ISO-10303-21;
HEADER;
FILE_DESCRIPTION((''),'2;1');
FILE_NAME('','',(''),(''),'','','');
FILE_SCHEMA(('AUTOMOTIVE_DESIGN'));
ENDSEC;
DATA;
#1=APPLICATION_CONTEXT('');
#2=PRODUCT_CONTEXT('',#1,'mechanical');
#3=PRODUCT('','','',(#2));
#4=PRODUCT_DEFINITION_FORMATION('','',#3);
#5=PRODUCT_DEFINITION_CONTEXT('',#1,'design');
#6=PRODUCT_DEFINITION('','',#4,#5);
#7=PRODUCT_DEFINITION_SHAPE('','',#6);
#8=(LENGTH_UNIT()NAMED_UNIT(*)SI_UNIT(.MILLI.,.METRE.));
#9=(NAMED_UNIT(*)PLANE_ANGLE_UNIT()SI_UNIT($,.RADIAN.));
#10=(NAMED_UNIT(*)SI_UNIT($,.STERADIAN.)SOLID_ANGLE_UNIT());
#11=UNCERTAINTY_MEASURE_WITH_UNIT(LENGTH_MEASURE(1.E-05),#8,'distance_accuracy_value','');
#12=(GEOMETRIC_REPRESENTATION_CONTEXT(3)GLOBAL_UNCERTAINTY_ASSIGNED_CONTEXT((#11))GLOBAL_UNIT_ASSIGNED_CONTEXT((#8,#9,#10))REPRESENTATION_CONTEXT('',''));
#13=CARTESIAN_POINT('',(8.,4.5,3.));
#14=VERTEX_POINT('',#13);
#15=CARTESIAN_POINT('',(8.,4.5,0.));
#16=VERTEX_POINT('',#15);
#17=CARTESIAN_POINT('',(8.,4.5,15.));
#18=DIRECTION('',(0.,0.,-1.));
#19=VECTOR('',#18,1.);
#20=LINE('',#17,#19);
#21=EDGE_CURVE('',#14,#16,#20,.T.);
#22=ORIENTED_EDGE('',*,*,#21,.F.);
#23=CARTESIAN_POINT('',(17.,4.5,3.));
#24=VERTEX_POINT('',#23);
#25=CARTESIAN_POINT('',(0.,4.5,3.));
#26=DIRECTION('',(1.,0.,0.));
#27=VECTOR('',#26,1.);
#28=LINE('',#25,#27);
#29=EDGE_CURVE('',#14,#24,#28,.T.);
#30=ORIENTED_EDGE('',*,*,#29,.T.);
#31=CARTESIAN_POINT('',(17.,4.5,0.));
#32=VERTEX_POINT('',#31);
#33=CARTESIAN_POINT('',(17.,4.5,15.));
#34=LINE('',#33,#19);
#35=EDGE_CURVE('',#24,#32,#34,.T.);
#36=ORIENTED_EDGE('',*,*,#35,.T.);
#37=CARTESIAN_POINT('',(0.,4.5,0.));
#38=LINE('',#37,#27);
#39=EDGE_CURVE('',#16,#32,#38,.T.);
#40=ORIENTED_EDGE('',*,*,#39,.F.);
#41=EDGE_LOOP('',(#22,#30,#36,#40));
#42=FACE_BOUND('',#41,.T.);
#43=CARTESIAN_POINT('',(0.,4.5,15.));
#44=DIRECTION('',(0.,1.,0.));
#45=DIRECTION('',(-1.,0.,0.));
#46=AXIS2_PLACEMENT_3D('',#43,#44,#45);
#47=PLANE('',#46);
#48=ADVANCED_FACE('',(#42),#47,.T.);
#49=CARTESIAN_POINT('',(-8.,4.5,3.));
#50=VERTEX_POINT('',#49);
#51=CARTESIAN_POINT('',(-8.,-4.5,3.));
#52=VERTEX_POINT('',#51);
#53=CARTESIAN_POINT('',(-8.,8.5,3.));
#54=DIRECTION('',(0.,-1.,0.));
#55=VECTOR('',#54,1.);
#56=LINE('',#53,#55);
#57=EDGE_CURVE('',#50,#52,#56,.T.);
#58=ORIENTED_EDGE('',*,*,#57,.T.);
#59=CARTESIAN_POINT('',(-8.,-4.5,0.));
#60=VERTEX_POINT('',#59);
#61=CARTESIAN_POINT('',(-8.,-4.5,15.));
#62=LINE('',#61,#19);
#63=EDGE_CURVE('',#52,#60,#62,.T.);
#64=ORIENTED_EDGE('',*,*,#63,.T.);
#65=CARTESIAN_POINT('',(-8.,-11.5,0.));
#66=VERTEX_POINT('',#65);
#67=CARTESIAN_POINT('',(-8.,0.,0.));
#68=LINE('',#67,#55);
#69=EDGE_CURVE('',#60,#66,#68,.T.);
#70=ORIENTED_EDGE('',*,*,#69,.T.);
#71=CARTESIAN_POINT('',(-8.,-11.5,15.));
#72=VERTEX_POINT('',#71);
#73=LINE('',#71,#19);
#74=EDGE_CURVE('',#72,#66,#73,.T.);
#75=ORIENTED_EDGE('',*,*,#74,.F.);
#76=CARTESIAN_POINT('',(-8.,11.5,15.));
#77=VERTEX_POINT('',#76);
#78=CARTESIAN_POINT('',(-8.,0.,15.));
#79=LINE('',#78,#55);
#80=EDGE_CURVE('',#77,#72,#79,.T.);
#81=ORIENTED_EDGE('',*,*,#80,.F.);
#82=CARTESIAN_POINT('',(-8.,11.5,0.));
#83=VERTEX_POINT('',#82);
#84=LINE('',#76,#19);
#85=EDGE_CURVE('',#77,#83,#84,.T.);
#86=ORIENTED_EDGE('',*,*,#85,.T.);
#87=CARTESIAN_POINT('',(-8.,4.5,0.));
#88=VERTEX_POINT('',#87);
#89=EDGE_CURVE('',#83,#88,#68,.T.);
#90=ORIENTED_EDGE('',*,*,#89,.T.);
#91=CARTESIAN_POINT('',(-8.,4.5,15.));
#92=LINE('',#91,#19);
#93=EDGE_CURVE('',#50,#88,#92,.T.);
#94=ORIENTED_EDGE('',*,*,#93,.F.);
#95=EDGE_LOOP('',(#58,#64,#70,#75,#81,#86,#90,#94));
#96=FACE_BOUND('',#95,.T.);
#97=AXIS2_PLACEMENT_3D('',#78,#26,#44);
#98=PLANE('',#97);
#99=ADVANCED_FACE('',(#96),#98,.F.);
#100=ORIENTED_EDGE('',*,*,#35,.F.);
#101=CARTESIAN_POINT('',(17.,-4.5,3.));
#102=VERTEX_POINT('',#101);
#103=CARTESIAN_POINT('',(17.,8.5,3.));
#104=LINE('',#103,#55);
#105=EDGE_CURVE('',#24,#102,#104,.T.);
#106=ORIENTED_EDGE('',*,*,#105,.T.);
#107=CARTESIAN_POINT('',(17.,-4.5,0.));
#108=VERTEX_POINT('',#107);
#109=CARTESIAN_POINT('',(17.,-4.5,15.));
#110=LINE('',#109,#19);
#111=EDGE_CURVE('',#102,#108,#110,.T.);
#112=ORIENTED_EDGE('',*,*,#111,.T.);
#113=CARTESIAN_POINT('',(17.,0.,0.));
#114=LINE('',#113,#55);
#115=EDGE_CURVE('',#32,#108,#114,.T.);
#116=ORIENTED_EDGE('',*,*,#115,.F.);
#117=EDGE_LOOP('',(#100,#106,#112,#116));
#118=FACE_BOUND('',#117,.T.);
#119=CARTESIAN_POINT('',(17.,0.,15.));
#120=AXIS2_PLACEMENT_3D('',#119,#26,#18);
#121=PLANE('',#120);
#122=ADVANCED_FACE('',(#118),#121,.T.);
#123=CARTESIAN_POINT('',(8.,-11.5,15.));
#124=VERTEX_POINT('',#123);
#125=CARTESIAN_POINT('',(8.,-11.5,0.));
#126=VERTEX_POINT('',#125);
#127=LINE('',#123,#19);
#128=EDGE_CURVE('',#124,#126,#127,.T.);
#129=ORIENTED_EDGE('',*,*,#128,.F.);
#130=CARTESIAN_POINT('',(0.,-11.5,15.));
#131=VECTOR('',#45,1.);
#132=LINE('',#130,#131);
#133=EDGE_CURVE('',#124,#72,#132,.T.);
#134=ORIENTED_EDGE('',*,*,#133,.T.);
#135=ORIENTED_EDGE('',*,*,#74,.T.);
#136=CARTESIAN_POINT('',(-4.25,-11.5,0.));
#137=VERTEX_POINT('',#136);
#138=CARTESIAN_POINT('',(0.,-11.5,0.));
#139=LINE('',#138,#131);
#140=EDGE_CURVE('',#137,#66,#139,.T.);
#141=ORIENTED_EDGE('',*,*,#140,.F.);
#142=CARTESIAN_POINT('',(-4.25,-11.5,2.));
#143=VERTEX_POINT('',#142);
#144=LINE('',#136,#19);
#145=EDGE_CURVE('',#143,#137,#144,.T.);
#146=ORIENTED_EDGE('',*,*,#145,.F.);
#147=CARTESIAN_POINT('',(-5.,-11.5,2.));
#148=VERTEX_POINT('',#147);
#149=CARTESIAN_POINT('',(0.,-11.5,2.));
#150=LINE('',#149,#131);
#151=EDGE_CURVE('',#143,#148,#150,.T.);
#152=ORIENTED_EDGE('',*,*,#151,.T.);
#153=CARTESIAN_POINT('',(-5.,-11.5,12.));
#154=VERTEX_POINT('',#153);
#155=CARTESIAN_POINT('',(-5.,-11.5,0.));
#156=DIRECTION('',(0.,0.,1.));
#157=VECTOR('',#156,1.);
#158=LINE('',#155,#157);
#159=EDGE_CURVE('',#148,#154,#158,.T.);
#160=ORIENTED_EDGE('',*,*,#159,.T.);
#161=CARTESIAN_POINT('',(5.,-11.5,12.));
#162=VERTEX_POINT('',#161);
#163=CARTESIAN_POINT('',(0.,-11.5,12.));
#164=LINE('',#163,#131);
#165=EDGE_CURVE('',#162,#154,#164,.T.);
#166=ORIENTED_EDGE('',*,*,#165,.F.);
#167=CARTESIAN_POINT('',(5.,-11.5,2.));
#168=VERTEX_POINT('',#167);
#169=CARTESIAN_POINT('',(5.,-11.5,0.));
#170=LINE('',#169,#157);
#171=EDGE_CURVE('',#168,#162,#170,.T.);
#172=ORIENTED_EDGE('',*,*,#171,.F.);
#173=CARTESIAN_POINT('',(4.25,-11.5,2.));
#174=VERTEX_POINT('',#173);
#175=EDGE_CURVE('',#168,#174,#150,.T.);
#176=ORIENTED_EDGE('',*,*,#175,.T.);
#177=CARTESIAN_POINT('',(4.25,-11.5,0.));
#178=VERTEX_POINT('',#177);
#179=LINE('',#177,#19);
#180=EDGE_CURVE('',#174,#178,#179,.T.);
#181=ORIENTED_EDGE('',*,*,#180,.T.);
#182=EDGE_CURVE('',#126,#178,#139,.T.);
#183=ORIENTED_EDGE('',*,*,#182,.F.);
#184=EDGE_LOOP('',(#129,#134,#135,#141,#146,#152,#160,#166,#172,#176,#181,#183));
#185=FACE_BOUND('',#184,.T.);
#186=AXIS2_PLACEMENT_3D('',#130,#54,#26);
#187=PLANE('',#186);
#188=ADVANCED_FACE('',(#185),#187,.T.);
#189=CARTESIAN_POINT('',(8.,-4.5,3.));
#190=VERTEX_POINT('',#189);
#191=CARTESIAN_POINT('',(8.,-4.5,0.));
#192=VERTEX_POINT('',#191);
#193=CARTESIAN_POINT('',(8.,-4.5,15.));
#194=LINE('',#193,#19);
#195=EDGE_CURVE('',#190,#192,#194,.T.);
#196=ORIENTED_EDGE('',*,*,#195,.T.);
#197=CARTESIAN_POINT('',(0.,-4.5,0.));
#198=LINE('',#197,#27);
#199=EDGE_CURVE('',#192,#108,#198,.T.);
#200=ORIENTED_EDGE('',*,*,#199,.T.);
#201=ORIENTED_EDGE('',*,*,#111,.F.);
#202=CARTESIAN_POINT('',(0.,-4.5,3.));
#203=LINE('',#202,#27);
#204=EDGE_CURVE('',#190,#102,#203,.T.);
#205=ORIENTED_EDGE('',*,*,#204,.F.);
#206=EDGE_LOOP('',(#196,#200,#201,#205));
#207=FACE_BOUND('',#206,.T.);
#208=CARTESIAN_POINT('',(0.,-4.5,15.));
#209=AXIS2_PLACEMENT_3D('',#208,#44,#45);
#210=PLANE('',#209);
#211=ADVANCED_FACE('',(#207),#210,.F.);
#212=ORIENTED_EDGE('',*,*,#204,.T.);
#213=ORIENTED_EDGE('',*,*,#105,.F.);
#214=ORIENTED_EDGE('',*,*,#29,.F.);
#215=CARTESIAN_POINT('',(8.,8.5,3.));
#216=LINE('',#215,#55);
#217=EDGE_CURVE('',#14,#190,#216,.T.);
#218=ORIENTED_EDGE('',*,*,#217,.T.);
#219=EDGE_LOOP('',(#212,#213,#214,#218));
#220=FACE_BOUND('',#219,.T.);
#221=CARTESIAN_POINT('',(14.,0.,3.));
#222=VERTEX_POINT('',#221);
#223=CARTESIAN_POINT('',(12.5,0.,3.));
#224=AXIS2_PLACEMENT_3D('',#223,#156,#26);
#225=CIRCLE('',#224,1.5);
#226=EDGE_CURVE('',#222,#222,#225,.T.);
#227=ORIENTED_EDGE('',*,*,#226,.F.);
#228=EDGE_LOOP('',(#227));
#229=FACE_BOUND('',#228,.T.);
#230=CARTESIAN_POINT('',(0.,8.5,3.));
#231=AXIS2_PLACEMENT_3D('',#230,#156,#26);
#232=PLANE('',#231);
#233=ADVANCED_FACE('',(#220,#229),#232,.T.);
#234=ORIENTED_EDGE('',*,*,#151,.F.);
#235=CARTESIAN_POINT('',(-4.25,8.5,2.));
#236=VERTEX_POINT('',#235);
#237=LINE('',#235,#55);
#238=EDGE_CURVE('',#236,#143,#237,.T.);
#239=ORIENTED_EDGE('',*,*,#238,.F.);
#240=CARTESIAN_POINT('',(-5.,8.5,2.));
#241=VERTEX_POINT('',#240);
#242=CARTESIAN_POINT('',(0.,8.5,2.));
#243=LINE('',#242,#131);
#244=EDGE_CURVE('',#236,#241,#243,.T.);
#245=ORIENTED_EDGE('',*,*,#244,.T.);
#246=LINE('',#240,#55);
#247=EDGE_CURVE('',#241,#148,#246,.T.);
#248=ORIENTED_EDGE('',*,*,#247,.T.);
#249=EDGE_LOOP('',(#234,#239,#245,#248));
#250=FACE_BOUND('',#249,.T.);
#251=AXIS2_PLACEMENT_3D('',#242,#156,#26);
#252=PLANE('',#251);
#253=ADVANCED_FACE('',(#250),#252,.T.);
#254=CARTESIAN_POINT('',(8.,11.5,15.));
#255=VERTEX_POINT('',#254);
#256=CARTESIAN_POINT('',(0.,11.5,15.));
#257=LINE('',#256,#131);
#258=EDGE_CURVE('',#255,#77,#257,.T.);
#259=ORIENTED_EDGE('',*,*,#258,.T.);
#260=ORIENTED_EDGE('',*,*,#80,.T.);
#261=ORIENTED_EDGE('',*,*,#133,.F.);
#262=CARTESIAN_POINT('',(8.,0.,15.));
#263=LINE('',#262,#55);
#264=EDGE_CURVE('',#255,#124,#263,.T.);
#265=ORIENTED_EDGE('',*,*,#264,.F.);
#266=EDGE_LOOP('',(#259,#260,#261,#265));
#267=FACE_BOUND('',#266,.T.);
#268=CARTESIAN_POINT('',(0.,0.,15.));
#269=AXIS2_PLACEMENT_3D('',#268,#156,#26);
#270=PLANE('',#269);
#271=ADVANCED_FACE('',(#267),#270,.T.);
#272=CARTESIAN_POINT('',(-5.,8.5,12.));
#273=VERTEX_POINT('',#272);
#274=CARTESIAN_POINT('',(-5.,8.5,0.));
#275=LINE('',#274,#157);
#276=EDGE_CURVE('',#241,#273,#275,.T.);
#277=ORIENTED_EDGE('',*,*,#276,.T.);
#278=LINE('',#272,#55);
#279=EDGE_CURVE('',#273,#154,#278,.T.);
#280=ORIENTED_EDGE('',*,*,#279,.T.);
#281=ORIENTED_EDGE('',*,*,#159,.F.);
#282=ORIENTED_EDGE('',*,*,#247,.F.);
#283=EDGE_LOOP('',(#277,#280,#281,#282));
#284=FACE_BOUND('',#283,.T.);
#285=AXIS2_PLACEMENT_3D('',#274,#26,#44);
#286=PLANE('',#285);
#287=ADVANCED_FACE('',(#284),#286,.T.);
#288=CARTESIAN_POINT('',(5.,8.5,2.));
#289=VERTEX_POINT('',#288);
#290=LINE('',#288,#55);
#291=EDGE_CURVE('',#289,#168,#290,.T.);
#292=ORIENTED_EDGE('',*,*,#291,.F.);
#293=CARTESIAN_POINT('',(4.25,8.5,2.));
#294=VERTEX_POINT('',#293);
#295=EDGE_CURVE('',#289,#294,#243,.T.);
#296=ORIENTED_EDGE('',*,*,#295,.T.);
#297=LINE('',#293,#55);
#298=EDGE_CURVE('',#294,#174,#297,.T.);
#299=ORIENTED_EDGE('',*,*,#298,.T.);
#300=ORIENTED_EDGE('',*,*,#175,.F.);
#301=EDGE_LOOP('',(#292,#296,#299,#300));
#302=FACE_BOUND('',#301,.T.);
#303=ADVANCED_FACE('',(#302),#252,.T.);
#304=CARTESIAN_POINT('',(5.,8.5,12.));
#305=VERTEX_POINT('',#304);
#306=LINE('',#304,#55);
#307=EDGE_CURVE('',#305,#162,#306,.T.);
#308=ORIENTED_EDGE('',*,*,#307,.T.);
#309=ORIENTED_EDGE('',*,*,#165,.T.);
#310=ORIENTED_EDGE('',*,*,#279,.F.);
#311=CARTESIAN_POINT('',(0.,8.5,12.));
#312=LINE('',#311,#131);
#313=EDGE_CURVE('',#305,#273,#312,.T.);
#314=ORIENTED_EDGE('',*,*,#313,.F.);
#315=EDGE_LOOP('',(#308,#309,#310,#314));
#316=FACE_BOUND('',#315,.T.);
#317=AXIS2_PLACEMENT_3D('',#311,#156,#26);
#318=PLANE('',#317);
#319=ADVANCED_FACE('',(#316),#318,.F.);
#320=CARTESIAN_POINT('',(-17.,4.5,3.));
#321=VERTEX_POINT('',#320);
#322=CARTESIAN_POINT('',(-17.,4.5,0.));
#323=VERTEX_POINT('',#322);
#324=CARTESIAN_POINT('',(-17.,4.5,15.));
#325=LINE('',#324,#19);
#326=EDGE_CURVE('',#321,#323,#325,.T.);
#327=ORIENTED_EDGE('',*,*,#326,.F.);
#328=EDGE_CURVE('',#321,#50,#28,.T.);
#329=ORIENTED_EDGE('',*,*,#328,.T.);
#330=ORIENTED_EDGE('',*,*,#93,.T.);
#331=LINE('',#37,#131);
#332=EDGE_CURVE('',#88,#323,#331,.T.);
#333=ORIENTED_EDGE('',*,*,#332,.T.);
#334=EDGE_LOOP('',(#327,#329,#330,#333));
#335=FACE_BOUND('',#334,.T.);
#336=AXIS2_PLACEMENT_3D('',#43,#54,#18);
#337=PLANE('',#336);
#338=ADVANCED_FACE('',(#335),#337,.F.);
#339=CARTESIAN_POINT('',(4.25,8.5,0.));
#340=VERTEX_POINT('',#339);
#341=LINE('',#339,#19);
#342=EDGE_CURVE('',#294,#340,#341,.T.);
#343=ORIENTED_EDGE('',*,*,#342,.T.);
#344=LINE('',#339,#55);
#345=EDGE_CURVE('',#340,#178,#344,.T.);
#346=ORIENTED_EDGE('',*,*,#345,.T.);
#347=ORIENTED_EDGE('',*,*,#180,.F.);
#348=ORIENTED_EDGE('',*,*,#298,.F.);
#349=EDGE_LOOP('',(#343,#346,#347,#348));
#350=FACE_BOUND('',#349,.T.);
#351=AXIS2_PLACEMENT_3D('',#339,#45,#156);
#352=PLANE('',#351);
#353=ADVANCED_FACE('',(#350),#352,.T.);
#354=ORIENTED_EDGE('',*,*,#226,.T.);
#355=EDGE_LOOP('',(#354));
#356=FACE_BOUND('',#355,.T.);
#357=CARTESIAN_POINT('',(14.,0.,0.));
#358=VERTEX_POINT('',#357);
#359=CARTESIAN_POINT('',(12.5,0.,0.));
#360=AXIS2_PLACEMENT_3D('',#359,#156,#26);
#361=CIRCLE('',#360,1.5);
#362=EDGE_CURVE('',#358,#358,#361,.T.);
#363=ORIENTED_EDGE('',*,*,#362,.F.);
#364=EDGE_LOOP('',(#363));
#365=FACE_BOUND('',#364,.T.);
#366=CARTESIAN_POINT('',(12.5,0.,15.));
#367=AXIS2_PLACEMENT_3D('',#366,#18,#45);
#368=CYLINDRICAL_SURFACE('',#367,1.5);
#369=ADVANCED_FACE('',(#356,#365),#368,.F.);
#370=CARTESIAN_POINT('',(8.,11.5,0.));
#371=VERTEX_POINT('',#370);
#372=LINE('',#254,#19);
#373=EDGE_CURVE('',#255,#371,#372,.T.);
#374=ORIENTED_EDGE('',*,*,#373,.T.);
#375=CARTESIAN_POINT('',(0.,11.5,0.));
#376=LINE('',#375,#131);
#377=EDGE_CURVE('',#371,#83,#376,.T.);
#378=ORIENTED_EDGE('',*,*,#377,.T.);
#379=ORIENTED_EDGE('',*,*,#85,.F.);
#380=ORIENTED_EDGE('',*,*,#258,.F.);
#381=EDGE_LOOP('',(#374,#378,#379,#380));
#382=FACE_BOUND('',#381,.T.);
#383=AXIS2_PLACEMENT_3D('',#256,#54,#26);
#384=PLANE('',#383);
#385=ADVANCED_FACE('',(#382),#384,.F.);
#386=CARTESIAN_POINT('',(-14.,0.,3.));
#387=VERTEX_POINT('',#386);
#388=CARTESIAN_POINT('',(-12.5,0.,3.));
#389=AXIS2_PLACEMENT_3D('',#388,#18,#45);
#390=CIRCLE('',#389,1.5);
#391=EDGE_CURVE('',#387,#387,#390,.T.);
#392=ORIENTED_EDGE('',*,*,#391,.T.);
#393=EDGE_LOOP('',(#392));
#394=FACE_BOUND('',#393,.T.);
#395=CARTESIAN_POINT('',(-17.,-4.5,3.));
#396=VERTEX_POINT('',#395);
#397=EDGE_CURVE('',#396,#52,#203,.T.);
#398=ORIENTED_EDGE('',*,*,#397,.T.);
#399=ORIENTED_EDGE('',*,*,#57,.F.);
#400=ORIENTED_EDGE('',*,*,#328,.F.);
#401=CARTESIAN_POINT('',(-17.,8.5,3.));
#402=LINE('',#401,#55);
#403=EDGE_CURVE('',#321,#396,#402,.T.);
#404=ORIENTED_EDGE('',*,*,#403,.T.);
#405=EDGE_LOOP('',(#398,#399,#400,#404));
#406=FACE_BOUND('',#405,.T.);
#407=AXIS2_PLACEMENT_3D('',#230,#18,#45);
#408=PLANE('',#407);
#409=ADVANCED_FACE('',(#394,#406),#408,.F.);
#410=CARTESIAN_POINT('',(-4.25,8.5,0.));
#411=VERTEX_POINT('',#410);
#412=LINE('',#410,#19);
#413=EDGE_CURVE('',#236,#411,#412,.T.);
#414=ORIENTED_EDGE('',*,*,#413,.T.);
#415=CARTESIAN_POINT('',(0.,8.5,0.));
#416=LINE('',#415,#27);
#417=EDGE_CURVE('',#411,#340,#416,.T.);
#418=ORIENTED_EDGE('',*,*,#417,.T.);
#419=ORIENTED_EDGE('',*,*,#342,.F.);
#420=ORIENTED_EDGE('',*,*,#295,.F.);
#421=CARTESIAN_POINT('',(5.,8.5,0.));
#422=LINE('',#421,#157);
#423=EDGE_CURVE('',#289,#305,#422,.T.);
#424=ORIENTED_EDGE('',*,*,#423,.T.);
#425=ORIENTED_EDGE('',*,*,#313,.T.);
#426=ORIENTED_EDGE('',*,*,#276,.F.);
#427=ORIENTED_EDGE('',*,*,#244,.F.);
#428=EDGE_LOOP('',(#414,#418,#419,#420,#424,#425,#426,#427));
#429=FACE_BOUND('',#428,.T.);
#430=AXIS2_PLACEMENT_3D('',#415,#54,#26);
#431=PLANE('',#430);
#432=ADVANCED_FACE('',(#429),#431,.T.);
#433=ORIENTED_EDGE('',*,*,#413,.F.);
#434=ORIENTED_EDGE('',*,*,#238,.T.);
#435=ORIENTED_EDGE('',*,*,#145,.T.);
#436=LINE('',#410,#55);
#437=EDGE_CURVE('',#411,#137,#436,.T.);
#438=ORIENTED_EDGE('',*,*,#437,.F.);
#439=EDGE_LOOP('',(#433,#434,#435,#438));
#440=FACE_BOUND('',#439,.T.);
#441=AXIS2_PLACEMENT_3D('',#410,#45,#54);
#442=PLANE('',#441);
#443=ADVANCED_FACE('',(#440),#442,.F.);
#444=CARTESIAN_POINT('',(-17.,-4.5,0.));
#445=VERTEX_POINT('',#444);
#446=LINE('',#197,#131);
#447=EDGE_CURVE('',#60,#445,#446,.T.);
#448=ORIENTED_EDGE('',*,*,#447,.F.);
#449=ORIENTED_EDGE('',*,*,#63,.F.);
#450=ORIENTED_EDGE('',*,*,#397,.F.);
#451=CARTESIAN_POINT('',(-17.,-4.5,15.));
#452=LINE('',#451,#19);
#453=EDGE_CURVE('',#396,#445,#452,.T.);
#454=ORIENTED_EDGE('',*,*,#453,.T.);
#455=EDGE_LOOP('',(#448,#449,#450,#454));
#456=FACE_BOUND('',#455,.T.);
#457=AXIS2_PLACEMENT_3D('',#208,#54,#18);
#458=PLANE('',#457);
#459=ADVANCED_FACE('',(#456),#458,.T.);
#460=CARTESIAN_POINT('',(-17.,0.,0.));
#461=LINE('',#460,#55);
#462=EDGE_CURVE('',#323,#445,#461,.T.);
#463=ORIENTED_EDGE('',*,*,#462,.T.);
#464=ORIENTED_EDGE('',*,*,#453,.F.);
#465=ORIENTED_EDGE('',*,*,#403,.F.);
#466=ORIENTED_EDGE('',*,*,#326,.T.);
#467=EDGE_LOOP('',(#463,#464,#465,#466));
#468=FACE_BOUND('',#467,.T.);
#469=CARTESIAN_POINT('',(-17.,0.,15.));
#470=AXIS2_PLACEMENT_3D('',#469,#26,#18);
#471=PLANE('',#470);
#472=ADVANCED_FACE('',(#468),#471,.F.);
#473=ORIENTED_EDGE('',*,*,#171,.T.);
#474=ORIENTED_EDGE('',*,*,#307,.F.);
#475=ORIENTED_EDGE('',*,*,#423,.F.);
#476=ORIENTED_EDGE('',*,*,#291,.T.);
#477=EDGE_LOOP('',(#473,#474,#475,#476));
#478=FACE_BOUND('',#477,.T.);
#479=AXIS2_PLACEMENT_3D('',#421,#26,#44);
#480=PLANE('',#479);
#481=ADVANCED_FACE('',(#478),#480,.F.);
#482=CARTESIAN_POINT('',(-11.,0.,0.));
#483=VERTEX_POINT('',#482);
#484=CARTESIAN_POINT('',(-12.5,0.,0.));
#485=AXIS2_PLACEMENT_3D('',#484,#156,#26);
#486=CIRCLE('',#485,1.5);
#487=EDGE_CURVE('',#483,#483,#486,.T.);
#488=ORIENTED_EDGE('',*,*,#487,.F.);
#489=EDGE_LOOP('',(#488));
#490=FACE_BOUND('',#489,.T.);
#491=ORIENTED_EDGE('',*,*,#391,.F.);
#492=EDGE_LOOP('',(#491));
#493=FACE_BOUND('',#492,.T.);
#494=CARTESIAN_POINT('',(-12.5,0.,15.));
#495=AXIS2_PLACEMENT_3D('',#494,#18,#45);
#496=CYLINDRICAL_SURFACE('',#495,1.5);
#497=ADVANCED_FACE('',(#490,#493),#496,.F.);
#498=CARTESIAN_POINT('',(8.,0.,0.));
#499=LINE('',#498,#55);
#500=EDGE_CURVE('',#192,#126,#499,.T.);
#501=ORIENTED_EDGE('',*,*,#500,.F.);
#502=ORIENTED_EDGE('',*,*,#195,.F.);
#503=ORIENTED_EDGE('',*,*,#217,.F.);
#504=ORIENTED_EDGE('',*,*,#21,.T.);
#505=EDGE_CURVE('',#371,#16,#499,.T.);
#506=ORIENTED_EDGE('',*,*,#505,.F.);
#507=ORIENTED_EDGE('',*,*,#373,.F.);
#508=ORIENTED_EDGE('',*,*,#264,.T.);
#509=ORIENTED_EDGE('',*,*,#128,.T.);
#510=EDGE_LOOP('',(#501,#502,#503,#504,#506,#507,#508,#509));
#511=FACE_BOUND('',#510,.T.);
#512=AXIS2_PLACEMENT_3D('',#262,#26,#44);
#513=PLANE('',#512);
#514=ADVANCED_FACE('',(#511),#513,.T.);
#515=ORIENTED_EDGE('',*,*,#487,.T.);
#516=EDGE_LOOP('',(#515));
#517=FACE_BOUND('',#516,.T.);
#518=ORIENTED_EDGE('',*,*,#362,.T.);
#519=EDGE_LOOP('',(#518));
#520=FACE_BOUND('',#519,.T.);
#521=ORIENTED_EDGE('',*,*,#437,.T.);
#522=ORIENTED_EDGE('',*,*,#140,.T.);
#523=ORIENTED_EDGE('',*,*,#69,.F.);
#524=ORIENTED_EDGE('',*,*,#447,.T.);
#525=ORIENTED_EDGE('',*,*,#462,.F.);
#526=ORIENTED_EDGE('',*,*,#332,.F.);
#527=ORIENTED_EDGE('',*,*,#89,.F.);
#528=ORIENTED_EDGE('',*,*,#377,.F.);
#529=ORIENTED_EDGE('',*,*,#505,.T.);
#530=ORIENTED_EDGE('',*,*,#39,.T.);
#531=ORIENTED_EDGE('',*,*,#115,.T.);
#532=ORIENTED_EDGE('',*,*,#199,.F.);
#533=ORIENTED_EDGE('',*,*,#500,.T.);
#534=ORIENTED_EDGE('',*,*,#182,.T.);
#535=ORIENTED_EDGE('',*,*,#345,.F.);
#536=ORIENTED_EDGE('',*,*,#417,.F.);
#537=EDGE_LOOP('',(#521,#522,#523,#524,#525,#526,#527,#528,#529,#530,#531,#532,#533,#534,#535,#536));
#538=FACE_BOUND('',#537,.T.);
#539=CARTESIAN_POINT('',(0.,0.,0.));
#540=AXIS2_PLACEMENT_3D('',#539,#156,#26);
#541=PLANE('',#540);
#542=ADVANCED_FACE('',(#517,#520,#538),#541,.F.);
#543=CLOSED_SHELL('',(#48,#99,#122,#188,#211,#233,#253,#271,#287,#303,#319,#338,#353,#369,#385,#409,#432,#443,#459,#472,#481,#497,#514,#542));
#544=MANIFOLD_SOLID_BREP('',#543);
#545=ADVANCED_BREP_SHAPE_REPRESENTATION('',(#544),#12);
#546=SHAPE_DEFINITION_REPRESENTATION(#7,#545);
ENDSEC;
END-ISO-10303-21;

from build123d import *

# Parameters (mm, degrees)
SKETCH1_W           = 9
SKETCH1_H           = 9
SKETCH1_R           = 1.5
SKETCH1_W_2         = 16
SKETCH1_H_2         = 23
BOSS_EXTRUDE1_DEPTH = 15
SKETCH2_W           = 10
SKETCH2_H           = 10
SKETCH2_W_2         = 8.5
SKETCH2_H_2         = 2
SKETCH2_W_3         = 9
SKETCH2_H_3         = 12
CUT_EXTRUDE1_DEPTH  = 20


with BuildPart() as part:
    # Sketch1 → Boss-Extrude1 (new body)
    # profile 1 of 3: a face of its own
    with BuildSketch(Plane.XY):
        with Locations((-12.5, 0)):
            Rectangle(SKETCH1_W, SKETCH1_H)
        with Locations((-12.5, 0)):
            Circle(SKETCH1_R, mode=Mode.SUBTRACT)
    # profile 2 of 3: a face of its own
    with BuildSketch(Plane.XY):
        Rectangle(SKETCH1_W_2, SKETCH1_H_2)
    # profile 3 of 3: a face of its own
    with BuildSketch(Plane.XY):
        with Locations((12.5, 0)):
            Rectangle(SKETCH1_W, SKETCH1_H)
        with Locations((12.5, 0)):
            Circle(SKETCH1_R, mode=Mode.SUBTRACT)
    extrude(amount=BOSS_EXTRUDE1_DEPTH)

    # Sketch2 → Cut-Extrude1 (cut)
    with BuildSketch(Plane.XZ.offset(11.5)):
        with Locations((0, 7)):
            Rectangle(SKETCH2_W, SKETCH2_H)
        with Locations((0, 1)):
            Rectangle(SKETCH2_W_2, SKETCH2_H_2)
        with Locations((12.5, 9)):
            Rectangle(SKETCH2_W_3, SKETCH2_H_3)
        with Locations((-12.5, 9)):
            Rectangle(SKETCH2_W_3, SKETCH2_H_3)
    extrude(amount=-CUT_EXTRUDE1_DEPTH, mode=Mode.SUBTRACT)


solid = part.part
